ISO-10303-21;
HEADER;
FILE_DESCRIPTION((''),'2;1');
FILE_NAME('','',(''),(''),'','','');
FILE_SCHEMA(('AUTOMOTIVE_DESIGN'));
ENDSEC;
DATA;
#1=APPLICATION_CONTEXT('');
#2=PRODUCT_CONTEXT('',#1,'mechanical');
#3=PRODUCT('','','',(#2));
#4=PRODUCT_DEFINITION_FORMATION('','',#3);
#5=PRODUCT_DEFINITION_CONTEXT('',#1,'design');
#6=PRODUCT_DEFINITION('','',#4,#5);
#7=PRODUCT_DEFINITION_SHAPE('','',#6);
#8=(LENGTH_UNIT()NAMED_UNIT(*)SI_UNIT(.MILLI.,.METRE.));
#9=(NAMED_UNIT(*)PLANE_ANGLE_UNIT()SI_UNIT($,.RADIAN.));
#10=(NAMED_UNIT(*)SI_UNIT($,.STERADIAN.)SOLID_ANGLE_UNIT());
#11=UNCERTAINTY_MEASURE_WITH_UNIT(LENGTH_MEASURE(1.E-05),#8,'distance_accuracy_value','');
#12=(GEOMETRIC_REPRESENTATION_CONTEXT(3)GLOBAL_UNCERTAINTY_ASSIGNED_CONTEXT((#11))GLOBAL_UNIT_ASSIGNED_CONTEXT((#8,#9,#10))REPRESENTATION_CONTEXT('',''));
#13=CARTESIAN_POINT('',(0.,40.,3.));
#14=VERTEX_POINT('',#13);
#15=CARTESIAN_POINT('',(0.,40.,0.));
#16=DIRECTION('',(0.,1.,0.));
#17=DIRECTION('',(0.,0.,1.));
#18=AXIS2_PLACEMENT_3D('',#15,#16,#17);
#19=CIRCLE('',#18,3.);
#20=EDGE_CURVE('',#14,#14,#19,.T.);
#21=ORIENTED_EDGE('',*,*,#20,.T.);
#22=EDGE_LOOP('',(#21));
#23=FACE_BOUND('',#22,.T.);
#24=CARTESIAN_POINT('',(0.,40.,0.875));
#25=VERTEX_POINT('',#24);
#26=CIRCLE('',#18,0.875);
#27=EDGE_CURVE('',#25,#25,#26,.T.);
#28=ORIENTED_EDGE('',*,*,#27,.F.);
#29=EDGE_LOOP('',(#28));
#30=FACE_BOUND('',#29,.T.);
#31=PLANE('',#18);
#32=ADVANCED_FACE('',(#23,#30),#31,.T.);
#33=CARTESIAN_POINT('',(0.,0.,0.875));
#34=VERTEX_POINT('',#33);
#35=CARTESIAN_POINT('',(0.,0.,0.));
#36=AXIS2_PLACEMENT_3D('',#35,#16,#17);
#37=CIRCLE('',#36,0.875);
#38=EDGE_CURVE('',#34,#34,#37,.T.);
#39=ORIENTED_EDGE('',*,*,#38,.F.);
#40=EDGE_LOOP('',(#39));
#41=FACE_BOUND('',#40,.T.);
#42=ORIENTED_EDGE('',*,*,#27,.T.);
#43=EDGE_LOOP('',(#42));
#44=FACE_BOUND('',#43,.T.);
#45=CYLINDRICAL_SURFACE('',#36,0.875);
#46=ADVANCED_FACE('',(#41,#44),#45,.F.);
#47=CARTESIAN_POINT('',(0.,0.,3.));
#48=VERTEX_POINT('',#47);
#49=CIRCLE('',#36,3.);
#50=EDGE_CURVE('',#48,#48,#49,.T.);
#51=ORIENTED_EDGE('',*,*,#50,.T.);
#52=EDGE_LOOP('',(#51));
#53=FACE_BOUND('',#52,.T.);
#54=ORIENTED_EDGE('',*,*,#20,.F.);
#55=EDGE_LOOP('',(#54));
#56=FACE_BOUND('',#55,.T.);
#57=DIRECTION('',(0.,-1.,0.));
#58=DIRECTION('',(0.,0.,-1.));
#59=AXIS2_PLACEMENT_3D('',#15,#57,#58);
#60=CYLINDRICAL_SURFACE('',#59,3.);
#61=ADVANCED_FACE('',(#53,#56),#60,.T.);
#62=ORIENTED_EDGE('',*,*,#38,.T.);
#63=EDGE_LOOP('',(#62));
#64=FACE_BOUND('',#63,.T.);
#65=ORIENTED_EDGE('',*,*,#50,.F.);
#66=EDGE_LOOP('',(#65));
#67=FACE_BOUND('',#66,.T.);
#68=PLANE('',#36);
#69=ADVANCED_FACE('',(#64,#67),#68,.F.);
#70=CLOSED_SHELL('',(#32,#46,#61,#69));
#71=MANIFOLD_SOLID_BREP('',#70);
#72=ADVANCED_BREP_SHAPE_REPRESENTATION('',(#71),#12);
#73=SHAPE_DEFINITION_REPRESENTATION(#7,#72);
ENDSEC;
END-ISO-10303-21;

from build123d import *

# Parameters (mm, degrees)
SKETCH1_R           = 3
BOSS_EXTRUDE1_DEPTH = 40
SKETCH2_R           = 0.875
CUT_EXTRUDE1_DEPTH  = 41.224370722


with BuildPart() as part:
    # Sketch1 → Boss-Extrude1 (new body)
    with BuildSketch(Plane(origin=(0, 0, 0), x_dir=(1, 0, 0), z_dir=(0, 1, 0))):
        with Locations(Location((0, 0, 0), (0, 0, 270))):
            Circle(SKETCH1_R)
    extrude(amount=BOSS_EXTRUDE1_DEPTH)

    # Sketch2 → Cut-Extrude1 (cut, through all)
    with BuildSketch(Plane(origin=(0, 40, 0), x_dir=(1, 0, 0), z_dir=(0, 1, 0))):
        with Locations(Location((0, 0, 0), (0, 0, 270))):
            Circle(SKETCH2_R)
    extrude(amount=-CUT_EXTRUDE1_DEPTH, mode=Mode.SUBTRACT)


solid = part.part
